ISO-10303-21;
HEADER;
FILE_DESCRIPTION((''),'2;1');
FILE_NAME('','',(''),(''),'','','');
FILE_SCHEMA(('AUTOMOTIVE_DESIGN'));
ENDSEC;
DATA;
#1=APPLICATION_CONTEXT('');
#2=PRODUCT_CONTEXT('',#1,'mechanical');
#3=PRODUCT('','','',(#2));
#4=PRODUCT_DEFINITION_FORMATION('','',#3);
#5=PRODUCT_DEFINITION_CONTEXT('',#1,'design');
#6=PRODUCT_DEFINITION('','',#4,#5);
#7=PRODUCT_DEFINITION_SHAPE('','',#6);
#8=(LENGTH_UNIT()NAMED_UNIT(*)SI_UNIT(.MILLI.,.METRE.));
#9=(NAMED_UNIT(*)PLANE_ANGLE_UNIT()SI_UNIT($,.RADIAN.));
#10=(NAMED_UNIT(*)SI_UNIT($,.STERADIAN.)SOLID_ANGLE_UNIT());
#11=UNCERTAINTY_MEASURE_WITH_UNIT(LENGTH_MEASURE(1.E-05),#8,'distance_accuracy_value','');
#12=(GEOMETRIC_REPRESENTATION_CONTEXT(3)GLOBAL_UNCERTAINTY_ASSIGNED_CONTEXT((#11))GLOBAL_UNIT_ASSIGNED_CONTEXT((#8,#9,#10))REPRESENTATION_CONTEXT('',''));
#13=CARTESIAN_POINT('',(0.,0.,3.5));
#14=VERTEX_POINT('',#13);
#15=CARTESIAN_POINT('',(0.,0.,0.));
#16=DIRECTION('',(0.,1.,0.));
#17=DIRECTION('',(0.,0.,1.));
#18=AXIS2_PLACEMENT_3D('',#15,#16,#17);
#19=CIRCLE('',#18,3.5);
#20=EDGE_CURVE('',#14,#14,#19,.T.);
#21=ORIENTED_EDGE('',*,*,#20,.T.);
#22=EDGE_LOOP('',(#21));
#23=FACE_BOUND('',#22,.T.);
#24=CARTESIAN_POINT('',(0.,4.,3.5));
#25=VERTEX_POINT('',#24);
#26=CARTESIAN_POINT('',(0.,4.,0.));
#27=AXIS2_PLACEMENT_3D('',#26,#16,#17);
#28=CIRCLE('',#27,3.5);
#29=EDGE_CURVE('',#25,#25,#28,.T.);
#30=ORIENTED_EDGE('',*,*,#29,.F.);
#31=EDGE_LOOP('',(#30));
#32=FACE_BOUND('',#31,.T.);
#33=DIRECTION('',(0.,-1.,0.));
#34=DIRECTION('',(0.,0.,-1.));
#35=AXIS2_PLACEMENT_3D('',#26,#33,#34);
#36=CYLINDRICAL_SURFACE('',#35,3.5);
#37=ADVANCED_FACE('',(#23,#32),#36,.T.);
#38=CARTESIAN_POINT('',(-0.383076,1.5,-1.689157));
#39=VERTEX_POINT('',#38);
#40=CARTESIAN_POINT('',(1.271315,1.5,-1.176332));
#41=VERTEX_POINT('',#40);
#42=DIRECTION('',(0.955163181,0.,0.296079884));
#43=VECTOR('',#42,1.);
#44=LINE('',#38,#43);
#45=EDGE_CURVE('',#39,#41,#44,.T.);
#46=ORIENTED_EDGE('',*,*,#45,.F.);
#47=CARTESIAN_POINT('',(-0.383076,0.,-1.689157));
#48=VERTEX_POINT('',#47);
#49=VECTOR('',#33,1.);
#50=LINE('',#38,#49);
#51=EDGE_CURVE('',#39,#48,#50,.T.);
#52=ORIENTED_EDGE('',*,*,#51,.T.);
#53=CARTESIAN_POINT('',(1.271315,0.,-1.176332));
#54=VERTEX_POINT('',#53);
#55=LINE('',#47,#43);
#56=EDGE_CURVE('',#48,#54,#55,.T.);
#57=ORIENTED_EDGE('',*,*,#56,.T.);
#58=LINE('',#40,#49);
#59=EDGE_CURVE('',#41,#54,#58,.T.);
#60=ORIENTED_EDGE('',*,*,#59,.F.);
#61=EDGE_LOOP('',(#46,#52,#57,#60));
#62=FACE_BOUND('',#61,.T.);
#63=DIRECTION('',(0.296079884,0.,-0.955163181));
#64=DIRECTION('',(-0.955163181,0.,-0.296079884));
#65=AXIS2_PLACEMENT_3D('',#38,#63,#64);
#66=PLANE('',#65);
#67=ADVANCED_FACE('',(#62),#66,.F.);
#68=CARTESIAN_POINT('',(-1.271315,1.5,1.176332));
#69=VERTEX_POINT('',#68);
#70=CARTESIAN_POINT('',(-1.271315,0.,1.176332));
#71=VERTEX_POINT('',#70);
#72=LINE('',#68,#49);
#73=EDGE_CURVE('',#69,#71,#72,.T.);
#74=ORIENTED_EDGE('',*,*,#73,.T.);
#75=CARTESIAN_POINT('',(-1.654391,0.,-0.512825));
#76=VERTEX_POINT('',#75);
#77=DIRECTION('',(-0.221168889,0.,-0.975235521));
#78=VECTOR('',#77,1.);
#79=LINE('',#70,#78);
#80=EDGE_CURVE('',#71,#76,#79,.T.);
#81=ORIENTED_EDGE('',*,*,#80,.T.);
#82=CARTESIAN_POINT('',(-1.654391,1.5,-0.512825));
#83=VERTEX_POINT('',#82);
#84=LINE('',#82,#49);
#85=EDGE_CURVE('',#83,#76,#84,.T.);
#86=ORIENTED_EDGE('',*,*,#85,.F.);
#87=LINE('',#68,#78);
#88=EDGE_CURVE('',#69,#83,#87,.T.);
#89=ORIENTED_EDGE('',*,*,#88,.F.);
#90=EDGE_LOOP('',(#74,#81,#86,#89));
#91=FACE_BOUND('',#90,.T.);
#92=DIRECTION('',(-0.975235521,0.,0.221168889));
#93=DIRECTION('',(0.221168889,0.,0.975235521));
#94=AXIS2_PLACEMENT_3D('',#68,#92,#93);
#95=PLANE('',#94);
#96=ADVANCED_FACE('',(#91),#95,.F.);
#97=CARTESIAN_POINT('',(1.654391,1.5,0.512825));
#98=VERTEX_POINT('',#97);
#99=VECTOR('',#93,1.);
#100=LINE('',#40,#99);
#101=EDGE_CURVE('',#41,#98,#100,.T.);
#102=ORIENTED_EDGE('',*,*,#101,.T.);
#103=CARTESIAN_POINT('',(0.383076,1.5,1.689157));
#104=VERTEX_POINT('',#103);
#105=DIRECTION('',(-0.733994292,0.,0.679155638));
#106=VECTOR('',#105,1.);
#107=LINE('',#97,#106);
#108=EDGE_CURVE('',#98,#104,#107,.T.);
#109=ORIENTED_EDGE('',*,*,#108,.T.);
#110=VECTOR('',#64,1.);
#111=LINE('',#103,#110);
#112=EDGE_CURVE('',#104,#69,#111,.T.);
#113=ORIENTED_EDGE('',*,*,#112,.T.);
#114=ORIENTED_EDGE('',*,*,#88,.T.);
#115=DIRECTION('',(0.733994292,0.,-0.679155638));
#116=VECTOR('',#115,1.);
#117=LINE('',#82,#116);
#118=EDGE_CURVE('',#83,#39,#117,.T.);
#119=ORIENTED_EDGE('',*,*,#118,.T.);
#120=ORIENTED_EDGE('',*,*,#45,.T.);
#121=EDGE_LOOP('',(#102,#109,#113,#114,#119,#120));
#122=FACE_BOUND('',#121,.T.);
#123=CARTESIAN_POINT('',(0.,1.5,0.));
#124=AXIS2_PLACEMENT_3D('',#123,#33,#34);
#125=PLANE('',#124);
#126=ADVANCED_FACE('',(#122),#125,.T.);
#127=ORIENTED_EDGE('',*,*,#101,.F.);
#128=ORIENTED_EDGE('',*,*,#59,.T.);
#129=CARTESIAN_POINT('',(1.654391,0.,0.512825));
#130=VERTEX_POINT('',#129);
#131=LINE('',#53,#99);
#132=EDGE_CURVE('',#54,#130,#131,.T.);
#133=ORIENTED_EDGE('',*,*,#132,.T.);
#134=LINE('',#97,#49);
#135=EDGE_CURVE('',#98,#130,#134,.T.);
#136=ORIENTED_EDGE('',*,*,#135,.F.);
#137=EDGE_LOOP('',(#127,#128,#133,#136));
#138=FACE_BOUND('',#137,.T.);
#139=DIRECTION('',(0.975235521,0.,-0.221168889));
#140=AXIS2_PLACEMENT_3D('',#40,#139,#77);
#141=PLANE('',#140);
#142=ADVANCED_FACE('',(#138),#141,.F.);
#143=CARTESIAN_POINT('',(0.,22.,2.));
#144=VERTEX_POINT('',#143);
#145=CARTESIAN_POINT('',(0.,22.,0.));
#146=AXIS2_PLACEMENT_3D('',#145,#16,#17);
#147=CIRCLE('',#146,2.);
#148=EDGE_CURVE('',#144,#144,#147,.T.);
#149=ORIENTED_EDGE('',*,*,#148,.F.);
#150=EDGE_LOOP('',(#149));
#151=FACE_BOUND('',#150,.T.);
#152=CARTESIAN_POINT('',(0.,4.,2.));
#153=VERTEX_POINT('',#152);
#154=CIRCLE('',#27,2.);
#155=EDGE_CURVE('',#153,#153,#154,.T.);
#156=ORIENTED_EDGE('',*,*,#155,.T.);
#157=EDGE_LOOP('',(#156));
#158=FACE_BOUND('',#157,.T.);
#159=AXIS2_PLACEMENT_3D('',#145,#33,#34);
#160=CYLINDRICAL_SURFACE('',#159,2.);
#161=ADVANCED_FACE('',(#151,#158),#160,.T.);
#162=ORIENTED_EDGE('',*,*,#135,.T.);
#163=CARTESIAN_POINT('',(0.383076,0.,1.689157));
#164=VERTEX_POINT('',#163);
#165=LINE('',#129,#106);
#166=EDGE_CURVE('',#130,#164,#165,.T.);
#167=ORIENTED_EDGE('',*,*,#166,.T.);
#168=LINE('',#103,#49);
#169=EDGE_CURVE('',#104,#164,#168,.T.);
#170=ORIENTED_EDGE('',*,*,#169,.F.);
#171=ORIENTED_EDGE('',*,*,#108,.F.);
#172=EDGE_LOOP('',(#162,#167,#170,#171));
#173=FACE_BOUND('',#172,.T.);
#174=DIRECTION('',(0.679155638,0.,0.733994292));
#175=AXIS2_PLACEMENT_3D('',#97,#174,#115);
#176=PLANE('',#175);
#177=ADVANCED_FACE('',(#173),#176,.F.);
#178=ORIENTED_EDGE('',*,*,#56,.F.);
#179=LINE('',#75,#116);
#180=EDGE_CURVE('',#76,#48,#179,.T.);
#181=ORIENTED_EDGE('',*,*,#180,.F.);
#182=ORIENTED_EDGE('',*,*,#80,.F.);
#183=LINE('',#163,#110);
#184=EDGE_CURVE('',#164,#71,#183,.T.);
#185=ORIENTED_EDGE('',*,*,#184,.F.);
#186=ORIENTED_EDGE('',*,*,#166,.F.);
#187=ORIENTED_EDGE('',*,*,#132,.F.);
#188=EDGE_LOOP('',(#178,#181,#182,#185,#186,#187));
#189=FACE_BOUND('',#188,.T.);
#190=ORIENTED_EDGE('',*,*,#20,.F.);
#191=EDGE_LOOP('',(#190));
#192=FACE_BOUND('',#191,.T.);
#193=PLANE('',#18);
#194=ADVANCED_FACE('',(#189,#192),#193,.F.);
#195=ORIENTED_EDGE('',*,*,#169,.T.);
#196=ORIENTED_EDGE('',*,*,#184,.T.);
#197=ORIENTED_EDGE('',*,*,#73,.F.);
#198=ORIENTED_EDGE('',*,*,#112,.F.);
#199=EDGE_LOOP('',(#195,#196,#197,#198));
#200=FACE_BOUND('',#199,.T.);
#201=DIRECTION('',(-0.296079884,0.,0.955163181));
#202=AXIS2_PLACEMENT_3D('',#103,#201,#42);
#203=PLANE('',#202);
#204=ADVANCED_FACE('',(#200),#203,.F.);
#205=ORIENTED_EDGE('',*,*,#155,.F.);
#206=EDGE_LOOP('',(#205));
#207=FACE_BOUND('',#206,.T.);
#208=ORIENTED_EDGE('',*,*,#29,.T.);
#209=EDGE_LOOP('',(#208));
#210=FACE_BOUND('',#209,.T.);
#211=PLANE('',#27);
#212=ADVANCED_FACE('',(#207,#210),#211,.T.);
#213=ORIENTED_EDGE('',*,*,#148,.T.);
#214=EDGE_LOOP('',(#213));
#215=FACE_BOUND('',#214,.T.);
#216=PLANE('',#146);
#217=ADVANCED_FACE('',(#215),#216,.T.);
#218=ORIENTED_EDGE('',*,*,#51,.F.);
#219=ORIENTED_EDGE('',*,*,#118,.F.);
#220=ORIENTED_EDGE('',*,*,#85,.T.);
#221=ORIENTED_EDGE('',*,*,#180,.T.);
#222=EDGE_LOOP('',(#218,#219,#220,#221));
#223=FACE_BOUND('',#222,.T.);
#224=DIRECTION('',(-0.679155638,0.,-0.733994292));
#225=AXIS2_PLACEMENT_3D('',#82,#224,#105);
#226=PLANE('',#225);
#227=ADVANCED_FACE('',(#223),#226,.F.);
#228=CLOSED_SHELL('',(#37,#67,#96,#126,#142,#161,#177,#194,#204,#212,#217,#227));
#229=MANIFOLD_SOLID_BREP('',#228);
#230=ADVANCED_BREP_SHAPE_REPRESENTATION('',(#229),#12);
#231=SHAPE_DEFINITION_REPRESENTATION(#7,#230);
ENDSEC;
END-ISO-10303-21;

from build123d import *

# Parameters (mm, degrees)
SKETCH_1_R          = 3.5
EXTRUDE_1_DEPTH     = 4
SKETCH_2_R          = 2
EXTRUDE_2_DEPTH     = 18
CUT_EXTRUDE_1_DEPTH = 1.5


with BuildPart() as part:
    # 草图1 → 凸台-拉伸1 (new body)
    with BuildSketch(Plane(origin=(0, 0, 0), x_dir=(1, 0, 0), z_dir=(0, 1, 0))):
        with Locations(Location((0, 0, 0), (0, 0, 270))):
            Circle(SKETCH_1_R)
    extrude(amount=EXTRUDE_1_DEPTH)

    # 草图2 → 凸台-拉伸2 (add)
    with BuildSketch(Plane(origin=(0, 4, 0), x_dir=(1, 0, 0), z_dir=(0, 1, 0))):
        with Locations(Location((0, 0, 0), (0, 0, 270))):
            Circle(SKETCH_2_R)
    extrude(amount=EXTRUDE_2_DEPTH)

    # 草图3 → 切除-拉伸1 (cut)
    with BuildSketch(Plane.XZ):
        Polygon((1.271315405, -1.17633207), (1.654391159, 0.512825402), (0.383075754, 1.689157473), (-1.271315405, 1.17633207), (-1.654391159, -0.512825402), (-0.383075754, -1.689157473), align=None)
    extrude(amount=-CUT_EXTRUDE_1_DEPTH, mode=Mode.SUBTRACT)


solid = part.part
